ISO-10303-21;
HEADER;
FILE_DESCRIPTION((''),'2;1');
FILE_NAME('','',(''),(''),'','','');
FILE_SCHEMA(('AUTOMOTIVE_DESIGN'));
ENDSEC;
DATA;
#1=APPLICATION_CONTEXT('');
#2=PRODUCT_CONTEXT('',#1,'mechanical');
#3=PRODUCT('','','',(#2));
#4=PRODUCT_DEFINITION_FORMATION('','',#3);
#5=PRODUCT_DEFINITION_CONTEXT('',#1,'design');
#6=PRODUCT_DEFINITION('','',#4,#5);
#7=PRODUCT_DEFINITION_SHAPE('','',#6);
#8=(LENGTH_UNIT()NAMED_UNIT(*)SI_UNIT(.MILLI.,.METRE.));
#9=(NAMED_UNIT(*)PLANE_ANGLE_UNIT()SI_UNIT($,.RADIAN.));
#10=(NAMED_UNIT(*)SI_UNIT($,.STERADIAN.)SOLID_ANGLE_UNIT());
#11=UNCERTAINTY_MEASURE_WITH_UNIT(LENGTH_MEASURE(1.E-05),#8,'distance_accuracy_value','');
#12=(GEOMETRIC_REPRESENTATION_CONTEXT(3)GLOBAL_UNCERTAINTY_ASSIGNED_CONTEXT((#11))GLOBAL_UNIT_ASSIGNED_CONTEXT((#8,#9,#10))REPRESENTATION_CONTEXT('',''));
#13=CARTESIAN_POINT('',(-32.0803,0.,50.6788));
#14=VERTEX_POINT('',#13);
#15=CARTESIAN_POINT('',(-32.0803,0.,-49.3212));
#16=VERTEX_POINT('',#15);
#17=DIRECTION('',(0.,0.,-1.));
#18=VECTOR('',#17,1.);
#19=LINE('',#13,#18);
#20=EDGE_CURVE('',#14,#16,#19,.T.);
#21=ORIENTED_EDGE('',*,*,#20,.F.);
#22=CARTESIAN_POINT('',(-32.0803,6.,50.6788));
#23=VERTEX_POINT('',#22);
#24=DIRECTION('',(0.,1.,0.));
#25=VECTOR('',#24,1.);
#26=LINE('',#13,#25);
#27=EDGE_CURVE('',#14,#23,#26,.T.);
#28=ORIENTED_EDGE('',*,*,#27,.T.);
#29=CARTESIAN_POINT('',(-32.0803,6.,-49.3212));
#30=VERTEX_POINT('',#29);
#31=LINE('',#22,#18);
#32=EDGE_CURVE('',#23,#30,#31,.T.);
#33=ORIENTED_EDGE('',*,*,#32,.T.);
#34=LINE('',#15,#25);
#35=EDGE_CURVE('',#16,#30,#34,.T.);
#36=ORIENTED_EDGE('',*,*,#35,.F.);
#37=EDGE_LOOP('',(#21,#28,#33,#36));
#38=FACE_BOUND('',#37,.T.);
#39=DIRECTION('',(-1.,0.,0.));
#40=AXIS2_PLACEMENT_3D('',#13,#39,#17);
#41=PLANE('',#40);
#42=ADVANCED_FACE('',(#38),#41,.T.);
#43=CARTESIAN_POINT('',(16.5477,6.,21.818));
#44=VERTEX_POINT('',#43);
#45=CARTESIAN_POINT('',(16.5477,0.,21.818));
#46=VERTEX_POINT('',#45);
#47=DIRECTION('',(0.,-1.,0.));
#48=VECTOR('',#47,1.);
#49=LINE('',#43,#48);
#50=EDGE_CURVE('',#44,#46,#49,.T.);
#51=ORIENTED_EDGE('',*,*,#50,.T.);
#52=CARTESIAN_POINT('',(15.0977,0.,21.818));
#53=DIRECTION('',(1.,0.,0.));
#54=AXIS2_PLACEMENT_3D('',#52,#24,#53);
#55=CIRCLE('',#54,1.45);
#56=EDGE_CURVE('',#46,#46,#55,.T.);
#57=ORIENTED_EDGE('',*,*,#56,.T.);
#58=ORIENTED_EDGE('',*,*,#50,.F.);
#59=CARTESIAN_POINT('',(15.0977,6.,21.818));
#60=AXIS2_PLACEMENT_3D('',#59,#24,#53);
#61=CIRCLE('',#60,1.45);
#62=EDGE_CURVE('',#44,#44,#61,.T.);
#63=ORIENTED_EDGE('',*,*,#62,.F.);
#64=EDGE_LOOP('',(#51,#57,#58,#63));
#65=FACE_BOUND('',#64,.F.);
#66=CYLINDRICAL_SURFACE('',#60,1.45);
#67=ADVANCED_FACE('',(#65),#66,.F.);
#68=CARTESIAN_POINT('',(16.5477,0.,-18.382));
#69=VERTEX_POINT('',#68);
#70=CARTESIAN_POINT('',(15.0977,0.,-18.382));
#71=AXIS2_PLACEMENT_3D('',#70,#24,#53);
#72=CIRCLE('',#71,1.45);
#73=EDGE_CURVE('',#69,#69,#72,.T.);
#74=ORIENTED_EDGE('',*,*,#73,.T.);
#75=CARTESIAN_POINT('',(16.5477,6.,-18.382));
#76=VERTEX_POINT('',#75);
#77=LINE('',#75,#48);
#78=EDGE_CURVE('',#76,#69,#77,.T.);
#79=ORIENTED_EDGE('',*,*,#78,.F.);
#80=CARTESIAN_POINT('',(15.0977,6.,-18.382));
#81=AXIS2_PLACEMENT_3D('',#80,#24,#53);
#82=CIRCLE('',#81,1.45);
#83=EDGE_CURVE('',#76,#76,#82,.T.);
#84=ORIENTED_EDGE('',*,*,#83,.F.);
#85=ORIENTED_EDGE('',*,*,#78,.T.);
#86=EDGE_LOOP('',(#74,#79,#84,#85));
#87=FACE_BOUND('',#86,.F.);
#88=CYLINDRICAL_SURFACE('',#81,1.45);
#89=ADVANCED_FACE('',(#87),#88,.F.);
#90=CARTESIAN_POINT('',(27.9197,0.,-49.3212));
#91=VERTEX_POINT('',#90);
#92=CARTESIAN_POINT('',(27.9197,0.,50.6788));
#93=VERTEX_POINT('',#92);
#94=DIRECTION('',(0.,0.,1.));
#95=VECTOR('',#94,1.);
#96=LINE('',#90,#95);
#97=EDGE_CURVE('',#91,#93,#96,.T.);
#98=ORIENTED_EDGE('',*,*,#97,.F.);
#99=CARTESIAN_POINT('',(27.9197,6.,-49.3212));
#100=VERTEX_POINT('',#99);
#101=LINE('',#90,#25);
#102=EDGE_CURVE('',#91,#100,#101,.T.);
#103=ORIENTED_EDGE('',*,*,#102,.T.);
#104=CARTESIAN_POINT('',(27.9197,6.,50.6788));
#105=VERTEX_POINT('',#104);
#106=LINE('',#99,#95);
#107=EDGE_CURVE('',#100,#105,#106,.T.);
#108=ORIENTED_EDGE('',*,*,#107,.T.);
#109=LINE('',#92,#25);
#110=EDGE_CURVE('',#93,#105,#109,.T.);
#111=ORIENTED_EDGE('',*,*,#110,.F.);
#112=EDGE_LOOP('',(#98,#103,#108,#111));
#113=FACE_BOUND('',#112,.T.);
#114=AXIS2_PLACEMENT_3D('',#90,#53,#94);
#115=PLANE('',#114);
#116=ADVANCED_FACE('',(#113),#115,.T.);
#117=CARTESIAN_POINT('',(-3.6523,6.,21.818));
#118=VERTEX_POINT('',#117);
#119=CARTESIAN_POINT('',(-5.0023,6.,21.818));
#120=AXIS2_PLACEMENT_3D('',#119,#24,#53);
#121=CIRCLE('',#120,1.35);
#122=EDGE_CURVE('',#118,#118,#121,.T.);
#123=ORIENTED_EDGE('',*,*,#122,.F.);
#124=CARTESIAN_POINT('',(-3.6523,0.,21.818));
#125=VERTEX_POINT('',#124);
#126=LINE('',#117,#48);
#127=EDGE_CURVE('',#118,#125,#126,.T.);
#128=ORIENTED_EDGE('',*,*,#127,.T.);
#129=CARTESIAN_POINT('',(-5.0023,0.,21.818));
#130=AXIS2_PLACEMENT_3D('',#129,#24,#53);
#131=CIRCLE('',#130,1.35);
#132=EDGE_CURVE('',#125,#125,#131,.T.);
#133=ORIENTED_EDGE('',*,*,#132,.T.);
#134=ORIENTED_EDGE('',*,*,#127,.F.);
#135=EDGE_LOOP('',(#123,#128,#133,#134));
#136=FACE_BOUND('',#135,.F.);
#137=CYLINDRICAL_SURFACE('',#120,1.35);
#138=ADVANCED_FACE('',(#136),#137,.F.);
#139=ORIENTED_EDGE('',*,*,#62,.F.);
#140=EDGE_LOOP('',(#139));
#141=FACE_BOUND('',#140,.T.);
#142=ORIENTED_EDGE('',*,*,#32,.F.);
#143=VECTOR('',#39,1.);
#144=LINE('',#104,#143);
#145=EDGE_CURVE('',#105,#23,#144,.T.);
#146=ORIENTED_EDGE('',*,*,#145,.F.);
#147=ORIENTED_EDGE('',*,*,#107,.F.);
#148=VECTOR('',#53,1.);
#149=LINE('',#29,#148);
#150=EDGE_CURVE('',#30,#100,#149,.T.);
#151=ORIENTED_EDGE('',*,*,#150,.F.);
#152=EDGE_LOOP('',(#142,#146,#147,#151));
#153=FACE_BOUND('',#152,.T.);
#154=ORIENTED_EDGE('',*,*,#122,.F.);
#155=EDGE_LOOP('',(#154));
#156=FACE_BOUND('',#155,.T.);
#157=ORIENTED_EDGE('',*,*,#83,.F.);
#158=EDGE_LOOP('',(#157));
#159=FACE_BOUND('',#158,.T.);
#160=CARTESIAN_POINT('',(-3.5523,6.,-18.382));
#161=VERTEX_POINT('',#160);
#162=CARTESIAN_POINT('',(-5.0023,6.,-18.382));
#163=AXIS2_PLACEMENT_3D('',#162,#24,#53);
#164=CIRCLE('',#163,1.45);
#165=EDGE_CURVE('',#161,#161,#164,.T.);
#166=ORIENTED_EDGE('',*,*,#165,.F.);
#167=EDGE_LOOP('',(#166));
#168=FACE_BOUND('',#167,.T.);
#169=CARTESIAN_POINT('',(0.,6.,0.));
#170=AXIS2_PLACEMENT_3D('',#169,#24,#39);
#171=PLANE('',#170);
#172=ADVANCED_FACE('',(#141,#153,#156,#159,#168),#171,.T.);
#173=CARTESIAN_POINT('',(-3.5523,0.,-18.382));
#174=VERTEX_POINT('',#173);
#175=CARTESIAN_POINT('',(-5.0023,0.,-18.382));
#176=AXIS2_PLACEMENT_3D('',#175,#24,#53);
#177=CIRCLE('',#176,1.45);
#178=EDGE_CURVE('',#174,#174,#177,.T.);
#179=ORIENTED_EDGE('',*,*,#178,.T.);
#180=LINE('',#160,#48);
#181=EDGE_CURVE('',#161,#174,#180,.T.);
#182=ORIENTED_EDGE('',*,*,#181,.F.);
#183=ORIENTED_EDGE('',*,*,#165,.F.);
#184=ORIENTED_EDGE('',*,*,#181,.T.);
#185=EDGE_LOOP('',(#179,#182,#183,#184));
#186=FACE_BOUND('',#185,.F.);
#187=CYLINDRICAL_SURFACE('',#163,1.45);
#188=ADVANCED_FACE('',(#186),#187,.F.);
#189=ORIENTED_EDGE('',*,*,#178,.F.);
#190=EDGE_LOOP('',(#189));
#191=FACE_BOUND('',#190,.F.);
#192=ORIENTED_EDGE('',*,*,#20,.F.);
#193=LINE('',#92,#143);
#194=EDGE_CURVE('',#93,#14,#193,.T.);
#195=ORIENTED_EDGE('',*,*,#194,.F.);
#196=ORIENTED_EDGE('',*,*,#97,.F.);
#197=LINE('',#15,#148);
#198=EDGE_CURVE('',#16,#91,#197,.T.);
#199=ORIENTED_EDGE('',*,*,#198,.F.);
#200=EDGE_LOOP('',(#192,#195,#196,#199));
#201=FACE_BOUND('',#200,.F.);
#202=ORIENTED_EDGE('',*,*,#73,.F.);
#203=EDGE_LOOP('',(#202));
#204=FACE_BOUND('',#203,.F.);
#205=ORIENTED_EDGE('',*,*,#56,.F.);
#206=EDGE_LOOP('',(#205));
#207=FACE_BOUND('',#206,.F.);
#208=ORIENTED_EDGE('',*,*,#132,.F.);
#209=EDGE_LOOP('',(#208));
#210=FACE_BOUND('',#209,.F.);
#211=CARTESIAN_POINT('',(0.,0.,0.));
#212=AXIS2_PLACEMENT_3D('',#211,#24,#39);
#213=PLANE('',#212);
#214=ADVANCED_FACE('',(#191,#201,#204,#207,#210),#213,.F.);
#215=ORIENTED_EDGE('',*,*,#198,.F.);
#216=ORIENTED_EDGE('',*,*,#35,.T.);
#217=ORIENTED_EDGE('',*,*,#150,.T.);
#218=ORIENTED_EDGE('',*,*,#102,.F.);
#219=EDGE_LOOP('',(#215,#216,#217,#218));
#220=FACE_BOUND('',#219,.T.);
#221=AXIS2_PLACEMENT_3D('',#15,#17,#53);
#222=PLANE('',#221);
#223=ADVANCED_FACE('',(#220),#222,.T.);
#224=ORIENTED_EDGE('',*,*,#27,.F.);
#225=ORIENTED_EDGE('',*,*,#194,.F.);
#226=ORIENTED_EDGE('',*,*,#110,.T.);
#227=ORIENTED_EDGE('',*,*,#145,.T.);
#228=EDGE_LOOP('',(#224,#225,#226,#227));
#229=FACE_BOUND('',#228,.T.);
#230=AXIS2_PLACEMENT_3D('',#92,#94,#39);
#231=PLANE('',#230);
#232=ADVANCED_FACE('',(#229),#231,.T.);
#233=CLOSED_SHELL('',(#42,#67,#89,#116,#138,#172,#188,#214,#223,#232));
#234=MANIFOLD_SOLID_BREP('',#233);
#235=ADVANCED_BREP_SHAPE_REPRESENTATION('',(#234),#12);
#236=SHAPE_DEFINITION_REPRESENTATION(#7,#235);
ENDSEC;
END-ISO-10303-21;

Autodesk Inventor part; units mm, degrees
ref_plane "YZ Plane" through (0, 0, 0) normal (1, 0, 0) x (0, 1, 0)
ref_plane "XZ Plane" through (0, 0, 0) normal (0, 1, 0) x (-1, 0, 0)
ref_plane "XY Plane" through (0, 0, 0) normal (0, 0, 1) x (1, 0, 0)
sketch "스케치1" plane through (0, 0, 0) normal (0, 1, 0) x (-1, 0, 0)
  line L0 (-5.3697, -35.4212) -> (-5.3697, -37.6212)
  line L1 (-5.3697, -37.6212) -> (-10.5697, -37.6212)
  line L2 (-10.5697, -37.6212) -> (-10.5697, -35.4212)
  line L3 (-10.5697, -35.4212) -> (-5.3697, -35.4212)
  line L4 (10.6803, 36.7788) -> (10.6803, 38.9788)
  line L5 (10.6803, 38.9788) -> (14.7303, 38.9788)
  line L6 (14.7303, 38.9788) -> (14.7303, 36.7788)
  line L7 (14.7303, 36.7788) -> (10.6803, 36.7788)
  line L8 (14.7303, -35.4212) -> (14.7303, -37.6212)
  line L9 (14.7303, -37.6212) -> (9.5303, -37.6212)
  line L10 (9.5303, -37.6212) -> (9.5303, -35.4212)
  line L11 (9.5303, -35.4212) -> (14.7303, -35.4212)
  line L12 (-5.3697, 36.7788) -> (-10.5697, 36.7788)
  line L13 (-10.5697, 36.7788) -> (-10.5697, 38.9788)
  line L14 (-10.5697, 38.9788) -> (-5.3697, 38.9788)
  line L15 (-5.3697, 38.9788) -> (-5.3697, 36.7788)
  circle A0 centre (12.1303, -19.4212) radius 1.45
  circle A1 centre (-7.9697, -19.4212) radius 1.45
  circle A2 centre (12.1303, 20.7788) radius 1.45
  circle A3 centre (-7.9697, 20.7788) radius 1.45
  line L16 (22.1803, -39.5212) -> (-18.0197, -39.5212)
  line L17 (22.1803, 40.8788) -> (22.1803, -39.5212)
  line L18 (-18.0197, 40.8788) -> (22.1803, 40.8788)
  line L19 (-18.0197, -39.5212) -> (-18.0197, 40.8788)
  line L20 (-27.9197, 50.6788) -> (32.0803, 50.6788)
  line L21 (32.0803, 50.6788) -> (32.0803, -49.3212)
  line L22 (32.0803, -49.3212) -> (-27.9197, -49.3212)
  line L23 (-27.9197, -49.3212) -> (-27.9197, 50.6788)
  line L24 (-27.9197, 50.6788) -> (32.0803, -49.3212) construction
  line L25 (32.0803, 50.6788) -> (-27.9197, -49.3212) construction
  circle A4 centre (12.1303, -19.4212) radius 1.35
  circle A5 centre (-7.9697, -19.4212) radius 1.35
  circle A6 centre (-7.9697, 20.7788) radius 1.35
  circle A7 centre (12.1303, 20.7788) radius 1.35
  circle A8 centre (2.0803, 0.6788) radius 4.7553
  point P0 (0, 0)
  dimension "d0" = 60
  dimension "d1" = 100
  dimension "d4" = 2.7
  dimension "d5" = 2.7
  dimension "d6" = 2.7
  dimension "d7" = 2.7
extrude "돌출1" add sketch "스케치1" along normal blind 6 contours L0 L1 L2 L3 | L4 L5 L6 L7 | L8 L9 L10 L11 | L12 L13 L14 L15 | A0 | A1 | A2 | A3 | L16 L19 L18 L17 | L20 L21 L22 L23 | A4 | A5 | A6 | A7 | A8
sketch "스케치2" plane through (0, 6, 0) normal (0, 1, 0) x (1, 0, 0)
  line L0 (27.9197, 49.3212) -> (-32.0803, 49.3212) projected
  line L1 (-32.0803, 49.3212) -> (-32.0803, -50.6788) projected
  line L2 (-32.0803, -50.6788) -> (27.9197, -50.6788) projected
  line L3 (27.9197, -50.6788) -> (27.9197, 49.3212) projected
  line L4 (58.4667, -26.0223) -> (58.4667, -28.2223)
  line L5 (58.4667, -28.2223) -> (53.2667, -28.2223)
  line L6 (53.2667, -28.2223) -> (53.2667, -26.0223)
  line L7 (53.2667, -26.0223) -> (58.4667, -26.0223)
  circle A0 centre (15.0977, -21.818) radius 1.45
  circle A1 centre (-5.0023, -21.818) radius 1.45
  line L8 (73.3667, -26.0223) -> (78.5667, -26.0223)
  line L9 (78.5667, -26.0223) -> (78.5667, -28.2223)
  line L10 (73.3667, -28.2223) -> (73.3667, -26.0223)
  line L11 (78.5667, -28.2223) -> (73.3667, -28.2223)
  line L12 (86.0167, -30.1223) -> (45.8167, -30.1223)
  line L13 (74.5167, 46.1777) -> (74.5167, 48.3777)
  line L14 (74.5167, 48.3777) -> (78.5667, 48.3777)
  line L15 (78.5667, 48.3777) -> (78.5667, 46.1777)
  line L16 (45.8167, -30.1223) -> (45.8167, 50.2777)
  line L17 (86.0167, 50.2777) -> (86.0167, -30.1223)
  circle A2 centre (-5.0023, 18.382) radius 1.45
  circle A3 centre (15.0977, 18.382) radius 1.45
  line L18 (58.4667, 46.1777) -> (53.2667, 46.1777)
  line L19 (45.8167, 50.2777) -> (86.0167, 50.2777)
  line L20 (53.2667, 46.1777) -> (53.2667, 48.3777)
  line L21 (53.2667, 48.3777) -> (58.4667, 48.3777)
  line L22 (58.4667, 48.3777) -> (58.4667, 46.1777)
  line L23 (78.5667, 46.1777) -> (74.5167, 46.1777)
  line L24 (-26.6842, 49.3212) -> (33.3158, 49.3212)
  line L25 (33.3158, 49.3212) -> (33.3158, -50.6788)
  line L26 (33.3158, -50.6788) -> (-26.6842, -50.6788)
  line L27 (-26.6842, -50.6788) -> (-26.6842, 49.3212)
  line L28 (-26.6842, 49.3212) -> (33.3158, -50.6788) construction
  line L29 (33.3158, 49.3212) -> (-26.6842, -50.6788) construction
  circle A4 centre (15.0977, -21.818) radius 1.35
  circle A5 centre (-5.0023, -21.818) radius 1.35
  circle A6 centre (-5.0023, 18.382) radius 1.35
  circle A7 centre (15.0977, 18.382) radius 1.35
  circle A8 centre (3.3158, -0.6788) radius 4.7553
  circle A9 centre (-2.0803, -0.6788) radius 10.0549
  line L30 (-6.7392, -0.6788) -> (3.3158, -0.6788)
  point P0 (0, 0)
  point P1 (2.9674, -2.3969)
  dimension "d8" = 60
  dimension "d9" = 100
  dimension "d10" = 2.7
  dimension "d11" = 2.7
  dimension "d12" = 2.7
  dimension "d13" = 2.7
extrude "돌출2" cut sketch "스케치2" against normal blind 6 contours A0 | A2 | A3 | A4 | A5 | A6 | A7
properties part number "feet" material "PMMA 플라스틱"
